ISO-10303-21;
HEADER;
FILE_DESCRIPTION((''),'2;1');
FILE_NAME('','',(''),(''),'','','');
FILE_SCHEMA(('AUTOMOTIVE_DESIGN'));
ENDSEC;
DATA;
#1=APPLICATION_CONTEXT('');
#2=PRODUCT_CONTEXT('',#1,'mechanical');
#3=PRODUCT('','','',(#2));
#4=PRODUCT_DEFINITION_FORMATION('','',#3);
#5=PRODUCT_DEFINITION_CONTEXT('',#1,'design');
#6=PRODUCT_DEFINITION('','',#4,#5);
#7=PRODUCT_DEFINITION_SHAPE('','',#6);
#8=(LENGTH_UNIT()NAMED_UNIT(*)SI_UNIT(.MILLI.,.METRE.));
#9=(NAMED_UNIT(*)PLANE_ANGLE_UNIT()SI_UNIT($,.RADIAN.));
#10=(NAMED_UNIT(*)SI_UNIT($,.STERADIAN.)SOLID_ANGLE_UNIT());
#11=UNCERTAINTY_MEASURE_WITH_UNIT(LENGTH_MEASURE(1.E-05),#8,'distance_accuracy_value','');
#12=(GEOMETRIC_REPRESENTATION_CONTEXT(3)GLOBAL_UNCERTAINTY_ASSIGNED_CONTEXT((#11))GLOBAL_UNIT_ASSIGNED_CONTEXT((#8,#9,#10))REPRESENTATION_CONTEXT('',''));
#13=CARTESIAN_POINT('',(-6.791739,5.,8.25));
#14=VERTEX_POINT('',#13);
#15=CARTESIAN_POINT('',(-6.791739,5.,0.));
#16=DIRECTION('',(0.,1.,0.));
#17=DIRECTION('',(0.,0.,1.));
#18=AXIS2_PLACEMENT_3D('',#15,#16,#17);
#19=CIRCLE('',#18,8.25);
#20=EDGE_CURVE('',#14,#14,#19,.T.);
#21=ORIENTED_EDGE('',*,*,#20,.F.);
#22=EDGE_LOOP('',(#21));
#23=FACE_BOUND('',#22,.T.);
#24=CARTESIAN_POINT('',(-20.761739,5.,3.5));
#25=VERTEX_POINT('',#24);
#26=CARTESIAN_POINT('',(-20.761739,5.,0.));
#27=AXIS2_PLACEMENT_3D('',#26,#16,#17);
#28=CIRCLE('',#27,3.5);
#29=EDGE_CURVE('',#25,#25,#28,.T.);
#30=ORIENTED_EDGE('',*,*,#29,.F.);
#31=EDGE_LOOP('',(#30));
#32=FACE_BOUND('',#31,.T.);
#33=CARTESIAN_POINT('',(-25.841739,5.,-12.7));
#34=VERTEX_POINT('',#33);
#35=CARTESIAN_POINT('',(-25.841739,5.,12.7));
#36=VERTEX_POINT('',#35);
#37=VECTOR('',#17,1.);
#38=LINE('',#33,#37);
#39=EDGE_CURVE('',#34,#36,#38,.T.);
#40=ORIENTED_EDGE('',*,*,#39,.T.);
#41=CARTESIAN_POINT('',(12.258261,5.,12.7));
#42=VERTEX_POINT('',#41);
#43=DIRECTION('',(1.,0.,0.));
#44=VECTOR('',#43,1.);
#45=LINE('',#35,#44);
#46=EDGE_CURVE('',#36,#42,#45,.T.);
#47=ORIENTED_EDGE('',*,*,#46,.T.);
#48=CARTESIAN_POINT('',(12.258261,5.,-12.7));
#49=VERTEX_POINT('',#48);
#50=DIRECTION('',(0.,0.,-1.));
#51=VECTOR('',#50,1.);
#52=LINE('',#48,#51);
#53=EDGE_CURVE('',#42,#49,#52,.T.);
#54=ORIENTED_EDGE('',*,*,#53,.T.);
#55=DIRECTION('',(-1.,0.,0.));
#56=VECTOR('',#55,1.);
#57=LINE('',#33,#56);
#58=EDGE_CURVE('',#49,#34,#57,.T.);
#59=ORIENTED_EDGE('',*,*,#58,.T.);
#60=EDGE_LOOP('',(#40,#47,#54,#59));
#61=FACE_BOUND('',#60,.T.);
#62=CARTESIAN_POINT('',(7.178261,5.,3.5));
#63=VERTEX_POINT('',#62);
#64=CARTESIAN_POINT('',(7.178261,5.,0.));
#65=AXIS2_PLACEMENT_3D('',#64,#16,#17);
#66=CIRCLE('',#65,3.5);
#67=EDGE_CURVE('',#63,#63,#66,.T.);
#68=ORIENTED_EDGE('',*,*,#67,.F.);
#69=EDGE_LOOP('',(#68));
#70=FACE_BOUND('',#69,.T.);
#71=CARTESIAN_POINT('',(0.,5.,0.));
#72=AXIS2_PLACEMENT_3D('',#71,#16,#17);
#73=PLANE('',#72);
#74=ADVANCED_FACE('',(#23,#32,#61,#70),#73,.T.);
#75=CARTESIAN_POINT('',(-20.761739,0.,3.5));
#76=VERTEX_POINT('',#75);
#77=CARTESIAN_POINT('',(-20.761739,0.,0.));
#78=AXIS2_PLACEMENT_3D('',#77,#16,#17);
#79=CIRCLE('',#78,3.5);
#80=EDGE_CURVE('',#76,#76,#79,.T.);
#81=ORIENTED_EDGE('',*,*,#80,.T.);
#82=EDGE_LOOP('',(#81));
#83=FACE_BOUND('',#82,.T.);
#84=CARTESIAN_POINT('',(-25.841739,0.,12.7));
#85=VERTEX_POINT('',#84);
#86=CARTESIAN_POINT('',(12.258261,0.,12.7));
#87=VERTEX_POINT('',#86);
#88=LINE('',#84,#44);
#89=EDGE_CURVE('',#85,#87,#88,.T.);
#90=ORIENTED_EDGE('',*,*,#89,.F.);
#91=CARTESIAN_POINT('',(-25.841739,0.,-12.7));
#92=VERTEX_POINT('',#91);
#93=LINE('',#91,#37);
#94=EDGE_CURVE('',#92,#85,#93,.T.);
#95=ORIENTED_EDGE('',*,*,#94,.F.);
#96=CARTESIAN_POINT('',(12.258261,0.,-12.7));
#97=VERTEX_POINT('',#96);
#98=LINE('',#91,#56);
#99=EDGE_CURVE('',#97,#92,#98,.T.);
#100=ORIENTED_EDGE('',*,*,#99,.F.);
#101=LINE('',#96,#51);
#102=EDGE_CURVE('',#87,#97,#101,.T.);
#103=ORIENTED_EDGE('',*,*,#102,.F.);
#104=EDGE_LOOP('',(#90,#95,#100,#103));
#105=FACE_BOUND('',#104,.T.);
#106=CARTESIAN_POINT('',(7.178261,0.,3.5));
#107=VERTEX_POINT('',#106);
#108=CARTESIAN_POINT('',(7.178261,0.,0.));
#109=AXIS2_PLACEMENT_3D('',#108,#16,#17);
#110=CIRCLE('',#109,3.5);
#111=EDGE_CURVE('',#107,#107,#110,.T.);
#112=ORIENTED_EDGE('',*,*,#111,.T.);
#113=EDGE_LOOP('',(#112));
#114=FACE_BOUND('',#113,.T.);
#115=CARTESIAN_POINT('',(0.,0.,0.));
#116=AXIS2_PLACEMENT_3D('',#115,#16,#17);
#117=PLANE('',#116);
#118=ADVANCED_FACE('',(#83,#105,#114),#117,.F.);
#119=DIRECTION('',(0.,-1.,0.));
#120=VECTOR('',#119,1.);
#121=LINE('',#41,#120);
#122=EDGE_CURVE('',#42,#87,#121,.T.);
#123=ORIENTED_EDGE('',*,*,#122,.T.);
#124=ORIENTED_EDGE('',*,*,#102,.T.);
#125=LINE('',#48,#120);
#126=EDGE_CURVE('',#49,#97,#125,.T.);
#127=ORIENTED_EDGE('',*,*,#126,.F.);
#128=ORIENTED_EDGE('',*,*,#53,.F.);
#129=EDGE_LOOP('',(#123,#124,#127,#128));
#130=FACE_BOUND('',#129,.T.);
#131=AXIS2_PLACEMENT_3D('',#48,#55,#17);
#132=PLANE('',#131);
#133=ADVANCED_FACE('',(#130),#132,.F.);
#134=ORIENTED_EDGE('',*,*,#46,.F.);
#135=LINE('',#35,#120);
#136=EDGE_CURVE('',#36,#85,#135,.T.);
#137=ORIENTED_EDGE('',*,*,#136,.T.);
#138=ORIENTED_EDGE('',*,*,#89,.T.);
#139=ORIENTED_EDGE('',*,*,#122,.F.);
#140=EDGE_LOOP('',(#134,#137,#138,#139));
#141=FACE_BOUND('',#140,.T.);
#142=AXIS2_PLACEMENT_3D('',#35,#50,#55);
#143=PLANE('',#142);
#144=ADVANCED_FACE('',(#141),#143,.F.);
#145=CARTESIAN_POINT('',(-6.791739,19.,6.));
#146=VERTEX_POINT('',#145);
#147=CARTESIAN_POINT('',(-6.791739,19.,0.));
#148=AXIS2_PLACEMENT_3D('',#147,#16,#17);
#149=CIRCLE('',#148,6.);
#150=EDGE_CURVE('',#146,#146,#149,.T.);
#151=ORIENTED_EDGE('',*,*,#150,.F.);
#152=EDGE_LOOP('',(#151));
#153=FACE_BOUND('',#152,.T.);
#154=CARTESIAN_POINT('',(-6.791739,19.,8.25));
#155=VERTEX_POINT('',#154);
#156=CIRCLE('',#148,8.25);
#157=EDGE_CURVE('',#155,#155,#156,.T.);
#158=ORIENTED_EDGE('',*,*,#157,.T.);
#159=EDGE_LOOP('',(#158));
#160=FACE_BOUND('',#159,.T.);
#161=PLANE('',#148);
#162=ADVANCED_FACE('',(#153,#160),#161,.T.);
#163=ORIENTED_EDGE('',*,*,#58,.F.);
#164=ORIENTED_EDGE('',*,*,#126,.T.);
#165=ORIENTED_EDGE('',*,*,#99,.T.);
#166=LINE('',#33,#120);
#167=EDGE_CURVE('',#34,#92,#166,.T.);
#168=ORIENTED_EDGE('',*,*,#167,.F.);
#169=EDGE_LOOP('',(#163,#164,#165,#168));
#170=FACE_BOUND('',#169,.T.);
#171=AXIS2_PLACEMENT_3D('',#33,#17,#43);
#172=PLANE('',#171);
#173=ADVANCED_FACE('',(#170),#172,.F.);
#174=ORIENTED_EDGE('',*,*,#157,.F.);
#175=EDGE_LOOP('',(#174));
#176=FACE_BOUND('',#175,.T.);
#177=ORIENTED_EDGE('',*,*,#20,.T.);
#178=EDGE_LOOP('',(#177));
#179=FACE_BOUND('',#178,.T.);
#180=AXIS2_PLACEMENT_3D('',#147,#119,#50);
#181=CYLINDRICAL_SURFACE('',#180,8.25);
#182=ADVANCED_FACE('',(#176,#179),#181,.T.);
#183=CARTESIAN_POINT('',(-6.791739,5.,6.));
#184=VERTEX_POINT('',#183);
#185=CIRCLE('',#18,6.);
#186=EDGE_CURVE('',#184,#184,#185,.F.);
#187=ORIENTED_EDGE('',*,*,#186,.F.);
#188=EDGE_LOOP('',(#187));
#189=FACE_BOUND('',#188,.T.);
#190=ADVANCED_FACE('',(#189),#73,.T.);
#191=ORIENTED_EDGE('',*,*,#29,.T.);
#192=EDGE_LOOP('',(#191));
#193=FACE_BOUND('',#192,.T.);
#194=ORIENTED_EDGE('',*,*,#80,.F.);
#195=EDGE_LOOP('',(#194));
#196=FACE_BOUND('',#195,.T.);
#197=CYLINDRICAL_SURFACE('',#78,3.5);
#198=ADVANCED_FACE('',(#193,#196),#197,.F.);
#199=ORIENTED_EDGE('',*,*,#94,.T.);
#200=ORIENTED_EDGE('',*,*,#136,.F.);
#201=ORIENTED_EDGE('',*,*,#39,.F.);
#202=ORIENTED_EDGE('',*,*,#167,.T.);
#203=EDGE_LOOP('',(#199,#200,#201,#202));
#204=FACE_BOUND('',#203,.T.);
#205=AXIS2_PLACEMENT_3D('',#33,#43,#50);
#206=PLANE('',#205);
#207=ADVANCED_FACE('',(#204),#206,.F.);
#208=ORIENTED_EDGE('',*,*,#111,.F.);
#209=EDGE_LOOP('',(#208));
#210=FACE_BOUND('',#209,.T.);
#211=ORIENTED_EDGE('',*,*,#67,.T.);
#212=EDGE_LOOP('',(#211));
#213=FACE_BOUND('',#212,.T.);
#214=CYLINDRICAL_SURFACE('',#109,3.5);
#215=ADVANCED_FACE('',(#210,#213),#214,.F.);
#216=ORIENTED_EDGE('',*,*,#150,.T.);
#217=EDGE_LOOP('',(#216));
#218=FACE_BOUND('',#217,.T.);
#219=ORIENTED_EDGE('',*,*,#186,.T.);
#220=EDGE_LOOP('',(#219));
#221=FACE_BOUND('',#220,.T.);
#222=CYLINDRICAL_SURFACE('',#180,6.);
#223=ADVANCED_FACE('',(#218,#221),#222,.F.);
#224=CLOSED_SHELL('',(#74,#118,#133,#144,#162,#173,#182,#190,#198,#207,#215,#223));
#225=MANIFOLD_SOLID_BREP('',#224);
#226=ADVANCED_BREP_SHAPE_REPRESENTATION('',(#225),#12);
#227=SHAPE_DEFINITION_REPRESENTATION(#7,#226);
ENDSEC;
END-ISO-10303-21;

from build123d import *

# Parameters (mm, degrees)
SKETCH1_W           = 38.1
SKETCH1_H           = 25.4
BOSS_EXTRUDE1_DEPTH = 5
SKETCH3_R           = 8.25
SKETCH3_R_2         = 6
BOSS_EXTRUDE2_DEPTH = 14
SKETCH4_R           = 3.5
CUT_EXTRUDE1_DEPTH  = 33.016956153


with BuildPart() as part:
    # Sketch1 → Boss-Extrude1 (new body)
    with BuildSketch(Plane(origin=(0, 0, 0), x_dir=(1, 0, 0), z_dir=(0, 1, 0))):
        with Locations((-6.79173913, 0)):
            Rectangle(SKETCH1_W, SKETCH1_H)
    extrude(amount=BOSS_EXTRUDE1_DEPTH)

    # Sketch3 → Boss-Extrude2 (add)
    with BuildSketch(Plane(origin=(0, 5, 0), x_dir=(1, 0, 0), z_dir=(0, 1, 0))):
        with Locations((-6.79173913, 0)):
            Circle(SKETCH3_R)
        with Locations((-6.79173913, 0)):
            Circle(SKETCH3_R_2, mode=Mode.SUBTRACT)
    extrude(amount=BOSS_EXTRUDE2_DEPTH)

    # Sketch4 → Cut-Extrude1 (cut, through all)
    with BuildSketch(Plane(origin=(0, 5, 0), x_dir=(1, 0, 0), z_dir=(0, 1, 0))):
        with Locations((7.17826087, 0)):
            Circle(SKETCH4_R)
        with Locations((-20.76173913, 0)):
            Circle(SKETCH4_R)
    extrude(amount=-CUT_EXTRUDE1_DEPTH, mode=Mode.SUBTRACT)


solid = part.part
